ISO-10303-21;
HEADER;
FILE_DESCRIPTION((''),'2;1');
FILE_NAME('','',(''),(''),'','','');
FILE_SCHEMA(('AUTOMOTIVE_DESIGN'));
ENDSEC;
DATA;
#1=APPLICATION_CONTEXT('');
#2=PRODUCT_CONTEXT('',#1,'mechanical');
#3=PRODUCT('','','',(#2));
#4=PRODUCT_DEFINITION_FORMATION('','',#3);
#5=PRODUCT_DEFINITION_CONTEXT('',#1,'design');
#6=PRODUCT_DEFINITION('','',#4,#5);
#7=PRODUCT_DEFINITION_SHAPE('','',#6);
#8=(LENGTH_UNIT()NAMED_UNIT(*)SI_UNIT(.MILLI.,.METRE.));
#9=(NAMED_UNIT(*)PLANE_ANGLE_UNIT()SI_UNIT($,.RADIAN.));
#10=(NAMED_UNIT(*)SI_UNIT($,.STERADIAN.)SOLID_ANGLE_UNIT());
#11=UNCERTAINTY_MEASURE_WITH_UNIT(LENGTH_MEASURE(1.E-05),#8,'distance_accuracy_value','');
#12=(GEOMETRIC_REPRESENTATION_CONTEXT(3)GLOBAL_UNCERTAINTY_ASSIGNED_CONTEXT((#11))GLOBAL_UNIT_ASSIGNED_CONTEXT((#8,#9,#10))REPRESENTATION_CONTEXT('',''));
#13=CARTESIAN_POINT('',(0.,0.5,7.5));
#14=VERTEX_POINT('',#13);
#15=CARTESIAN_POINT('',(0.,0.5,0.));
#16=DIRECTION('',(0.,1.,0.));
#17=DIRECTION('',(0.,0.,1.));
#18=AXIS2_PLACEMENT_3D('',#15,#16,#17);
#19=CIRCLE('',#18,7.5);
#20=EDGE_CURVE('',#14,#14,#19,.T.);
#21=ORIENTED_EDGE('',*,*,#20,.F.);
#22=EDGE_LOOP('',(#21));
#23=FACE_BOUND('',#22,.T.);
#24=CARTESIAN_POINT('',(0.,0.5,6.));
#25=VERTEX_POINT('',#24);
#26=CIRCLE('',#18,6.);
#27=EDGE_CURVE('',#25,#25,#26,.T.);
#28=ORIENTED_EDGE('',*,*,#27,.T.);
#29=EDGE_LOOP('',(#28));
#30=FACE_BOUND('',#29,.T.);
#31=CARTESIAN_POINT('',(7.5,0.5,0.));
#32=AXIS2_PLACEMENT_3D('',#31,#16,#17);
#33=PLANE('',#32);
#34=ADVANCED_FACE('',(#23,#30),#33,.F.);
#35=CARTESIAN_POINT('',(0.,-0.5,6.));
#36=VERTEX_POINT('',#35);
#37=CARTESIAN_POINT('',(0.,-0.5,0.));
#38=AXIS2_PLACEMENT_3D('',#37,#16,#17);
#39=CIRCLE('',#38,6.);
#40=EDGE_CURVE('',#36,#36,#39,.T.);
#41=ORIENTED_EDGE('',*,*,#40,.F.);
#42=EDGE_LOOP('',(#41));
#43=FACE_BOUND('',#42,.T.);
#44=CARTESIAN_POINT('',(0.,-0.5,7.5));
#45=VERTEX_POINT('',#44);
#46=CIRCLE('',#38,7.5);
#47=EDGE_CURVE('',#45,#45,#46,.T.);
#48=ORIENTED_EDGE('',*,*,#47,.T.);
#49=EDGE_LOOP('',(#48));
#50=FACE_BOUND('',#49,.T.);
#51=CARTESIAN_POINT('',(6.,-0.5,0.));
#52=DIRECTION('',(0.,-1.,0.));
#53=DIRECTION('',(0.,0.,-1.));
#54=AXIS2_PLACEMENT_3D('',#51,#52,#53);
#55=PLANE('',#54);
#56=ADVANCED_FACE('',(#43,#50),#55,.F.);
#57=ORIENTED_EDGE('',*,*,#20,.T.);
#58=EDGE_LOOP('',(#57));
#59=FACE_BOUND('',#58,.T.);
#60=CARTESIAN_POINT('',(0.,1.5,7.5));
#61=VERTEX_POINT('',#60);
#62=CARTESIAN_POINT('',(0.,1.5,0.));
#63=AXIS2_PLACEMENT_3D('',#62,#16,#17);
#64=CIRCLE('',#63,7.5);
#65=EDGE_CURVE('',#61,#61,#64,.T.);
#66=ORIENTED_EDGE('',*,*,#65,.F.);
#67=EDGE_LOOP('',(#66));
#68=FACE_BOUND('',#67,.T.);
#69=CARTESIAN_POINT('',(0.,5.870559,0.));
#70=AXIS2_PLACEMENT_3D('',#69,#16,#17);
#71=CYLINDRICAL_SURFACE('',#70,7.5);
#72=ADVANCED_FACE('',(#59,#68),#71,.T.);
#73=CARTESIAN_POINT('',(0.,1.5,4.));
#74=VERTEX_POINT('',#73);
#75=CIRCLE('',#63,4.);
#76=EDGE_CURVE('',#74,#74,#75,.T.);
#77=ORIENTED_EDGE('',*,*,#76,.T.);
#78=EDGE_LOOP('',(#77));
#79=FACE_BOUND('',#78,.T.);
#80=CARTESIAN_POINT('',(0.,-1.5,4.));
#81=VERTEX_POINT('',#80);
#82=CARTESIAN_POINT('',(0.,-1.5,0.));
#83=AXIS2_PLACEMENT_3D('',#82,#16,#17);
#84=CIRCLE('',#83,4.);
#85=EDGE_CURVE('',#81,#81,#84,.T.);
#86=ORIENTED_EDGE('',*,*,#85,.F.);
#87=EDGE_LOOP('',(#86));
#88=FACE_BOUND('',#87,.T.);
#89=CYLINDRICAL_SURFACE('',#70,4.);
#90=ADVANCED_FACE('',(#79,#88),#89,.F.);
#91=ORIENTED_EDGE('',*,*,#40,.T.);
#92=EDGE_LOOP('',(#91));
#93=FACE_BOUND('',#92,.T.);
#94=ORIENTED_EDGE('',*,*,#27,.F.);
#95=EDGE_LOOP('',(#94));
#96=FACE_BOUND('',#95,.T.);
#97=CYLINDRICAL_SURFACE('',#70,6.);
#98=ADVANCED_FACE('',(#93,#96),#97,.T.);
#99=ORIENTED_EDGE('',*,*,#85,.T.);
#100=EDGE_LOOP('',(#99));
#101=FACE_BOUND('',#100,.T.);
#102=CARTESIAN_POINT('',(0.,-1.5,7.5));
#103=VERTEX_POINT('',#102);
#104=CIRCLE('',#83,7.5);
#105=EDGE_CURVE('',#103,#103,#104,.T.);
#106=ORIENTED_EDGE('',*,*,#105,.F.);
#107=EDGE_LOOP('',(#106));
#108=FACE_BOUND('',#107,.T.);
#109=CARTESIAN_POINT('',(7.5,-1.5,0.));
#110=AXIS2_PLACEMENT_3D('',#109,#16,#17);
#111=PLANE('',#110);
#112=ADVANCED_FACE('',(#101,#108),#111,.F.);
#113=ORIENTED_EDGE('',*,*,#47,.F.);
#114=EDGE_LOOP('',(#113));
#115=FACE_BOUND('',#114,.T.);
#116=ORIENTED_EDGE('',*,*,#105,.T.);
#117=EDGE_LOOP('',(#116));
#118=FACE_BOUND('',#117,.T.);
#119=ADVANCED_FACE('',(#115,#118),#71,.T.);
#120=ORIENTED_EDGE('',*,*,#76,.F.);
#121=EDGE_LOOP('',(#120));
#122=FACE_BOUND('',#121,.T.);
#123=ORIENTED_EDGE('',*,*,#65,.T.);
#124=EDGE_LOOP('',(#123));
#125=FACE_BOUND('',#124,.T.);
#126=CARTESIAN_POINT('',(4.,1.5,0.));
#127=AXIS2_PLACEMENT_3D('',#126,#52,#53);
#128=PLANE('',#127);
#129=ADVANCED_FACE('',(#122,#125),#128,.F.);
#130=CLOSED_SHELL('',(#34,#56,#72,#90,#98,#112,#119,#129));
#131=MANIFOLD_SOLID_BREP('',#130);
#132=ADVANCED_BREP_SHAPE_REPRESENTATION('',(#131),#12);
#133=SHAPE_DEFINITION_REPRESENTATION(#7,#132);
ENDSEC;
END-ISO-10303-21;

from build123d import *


with BuildPart() as part:
    # Sketch1 → Revolve1 (revolve)
    with BuildSketch(Plane.XY, mode=Mode.PRIVATE) as revolve1_sk:
        Polygon((4, 1.5), (4, -1.5), (7.5, -1.5), (7.5, -0.5), (6, -0.5), (6, 0.5), (7.5, 0.5), (7.5, 1.5), align=None)
    revolve(revolve1_sk.sketch.rotate(Axis((0, 5.870558795, 0), (0, -1, 0)), 90), axis=Axis((0, 5.870558795, 0), (0, -1, 0)))


solid = part.part
